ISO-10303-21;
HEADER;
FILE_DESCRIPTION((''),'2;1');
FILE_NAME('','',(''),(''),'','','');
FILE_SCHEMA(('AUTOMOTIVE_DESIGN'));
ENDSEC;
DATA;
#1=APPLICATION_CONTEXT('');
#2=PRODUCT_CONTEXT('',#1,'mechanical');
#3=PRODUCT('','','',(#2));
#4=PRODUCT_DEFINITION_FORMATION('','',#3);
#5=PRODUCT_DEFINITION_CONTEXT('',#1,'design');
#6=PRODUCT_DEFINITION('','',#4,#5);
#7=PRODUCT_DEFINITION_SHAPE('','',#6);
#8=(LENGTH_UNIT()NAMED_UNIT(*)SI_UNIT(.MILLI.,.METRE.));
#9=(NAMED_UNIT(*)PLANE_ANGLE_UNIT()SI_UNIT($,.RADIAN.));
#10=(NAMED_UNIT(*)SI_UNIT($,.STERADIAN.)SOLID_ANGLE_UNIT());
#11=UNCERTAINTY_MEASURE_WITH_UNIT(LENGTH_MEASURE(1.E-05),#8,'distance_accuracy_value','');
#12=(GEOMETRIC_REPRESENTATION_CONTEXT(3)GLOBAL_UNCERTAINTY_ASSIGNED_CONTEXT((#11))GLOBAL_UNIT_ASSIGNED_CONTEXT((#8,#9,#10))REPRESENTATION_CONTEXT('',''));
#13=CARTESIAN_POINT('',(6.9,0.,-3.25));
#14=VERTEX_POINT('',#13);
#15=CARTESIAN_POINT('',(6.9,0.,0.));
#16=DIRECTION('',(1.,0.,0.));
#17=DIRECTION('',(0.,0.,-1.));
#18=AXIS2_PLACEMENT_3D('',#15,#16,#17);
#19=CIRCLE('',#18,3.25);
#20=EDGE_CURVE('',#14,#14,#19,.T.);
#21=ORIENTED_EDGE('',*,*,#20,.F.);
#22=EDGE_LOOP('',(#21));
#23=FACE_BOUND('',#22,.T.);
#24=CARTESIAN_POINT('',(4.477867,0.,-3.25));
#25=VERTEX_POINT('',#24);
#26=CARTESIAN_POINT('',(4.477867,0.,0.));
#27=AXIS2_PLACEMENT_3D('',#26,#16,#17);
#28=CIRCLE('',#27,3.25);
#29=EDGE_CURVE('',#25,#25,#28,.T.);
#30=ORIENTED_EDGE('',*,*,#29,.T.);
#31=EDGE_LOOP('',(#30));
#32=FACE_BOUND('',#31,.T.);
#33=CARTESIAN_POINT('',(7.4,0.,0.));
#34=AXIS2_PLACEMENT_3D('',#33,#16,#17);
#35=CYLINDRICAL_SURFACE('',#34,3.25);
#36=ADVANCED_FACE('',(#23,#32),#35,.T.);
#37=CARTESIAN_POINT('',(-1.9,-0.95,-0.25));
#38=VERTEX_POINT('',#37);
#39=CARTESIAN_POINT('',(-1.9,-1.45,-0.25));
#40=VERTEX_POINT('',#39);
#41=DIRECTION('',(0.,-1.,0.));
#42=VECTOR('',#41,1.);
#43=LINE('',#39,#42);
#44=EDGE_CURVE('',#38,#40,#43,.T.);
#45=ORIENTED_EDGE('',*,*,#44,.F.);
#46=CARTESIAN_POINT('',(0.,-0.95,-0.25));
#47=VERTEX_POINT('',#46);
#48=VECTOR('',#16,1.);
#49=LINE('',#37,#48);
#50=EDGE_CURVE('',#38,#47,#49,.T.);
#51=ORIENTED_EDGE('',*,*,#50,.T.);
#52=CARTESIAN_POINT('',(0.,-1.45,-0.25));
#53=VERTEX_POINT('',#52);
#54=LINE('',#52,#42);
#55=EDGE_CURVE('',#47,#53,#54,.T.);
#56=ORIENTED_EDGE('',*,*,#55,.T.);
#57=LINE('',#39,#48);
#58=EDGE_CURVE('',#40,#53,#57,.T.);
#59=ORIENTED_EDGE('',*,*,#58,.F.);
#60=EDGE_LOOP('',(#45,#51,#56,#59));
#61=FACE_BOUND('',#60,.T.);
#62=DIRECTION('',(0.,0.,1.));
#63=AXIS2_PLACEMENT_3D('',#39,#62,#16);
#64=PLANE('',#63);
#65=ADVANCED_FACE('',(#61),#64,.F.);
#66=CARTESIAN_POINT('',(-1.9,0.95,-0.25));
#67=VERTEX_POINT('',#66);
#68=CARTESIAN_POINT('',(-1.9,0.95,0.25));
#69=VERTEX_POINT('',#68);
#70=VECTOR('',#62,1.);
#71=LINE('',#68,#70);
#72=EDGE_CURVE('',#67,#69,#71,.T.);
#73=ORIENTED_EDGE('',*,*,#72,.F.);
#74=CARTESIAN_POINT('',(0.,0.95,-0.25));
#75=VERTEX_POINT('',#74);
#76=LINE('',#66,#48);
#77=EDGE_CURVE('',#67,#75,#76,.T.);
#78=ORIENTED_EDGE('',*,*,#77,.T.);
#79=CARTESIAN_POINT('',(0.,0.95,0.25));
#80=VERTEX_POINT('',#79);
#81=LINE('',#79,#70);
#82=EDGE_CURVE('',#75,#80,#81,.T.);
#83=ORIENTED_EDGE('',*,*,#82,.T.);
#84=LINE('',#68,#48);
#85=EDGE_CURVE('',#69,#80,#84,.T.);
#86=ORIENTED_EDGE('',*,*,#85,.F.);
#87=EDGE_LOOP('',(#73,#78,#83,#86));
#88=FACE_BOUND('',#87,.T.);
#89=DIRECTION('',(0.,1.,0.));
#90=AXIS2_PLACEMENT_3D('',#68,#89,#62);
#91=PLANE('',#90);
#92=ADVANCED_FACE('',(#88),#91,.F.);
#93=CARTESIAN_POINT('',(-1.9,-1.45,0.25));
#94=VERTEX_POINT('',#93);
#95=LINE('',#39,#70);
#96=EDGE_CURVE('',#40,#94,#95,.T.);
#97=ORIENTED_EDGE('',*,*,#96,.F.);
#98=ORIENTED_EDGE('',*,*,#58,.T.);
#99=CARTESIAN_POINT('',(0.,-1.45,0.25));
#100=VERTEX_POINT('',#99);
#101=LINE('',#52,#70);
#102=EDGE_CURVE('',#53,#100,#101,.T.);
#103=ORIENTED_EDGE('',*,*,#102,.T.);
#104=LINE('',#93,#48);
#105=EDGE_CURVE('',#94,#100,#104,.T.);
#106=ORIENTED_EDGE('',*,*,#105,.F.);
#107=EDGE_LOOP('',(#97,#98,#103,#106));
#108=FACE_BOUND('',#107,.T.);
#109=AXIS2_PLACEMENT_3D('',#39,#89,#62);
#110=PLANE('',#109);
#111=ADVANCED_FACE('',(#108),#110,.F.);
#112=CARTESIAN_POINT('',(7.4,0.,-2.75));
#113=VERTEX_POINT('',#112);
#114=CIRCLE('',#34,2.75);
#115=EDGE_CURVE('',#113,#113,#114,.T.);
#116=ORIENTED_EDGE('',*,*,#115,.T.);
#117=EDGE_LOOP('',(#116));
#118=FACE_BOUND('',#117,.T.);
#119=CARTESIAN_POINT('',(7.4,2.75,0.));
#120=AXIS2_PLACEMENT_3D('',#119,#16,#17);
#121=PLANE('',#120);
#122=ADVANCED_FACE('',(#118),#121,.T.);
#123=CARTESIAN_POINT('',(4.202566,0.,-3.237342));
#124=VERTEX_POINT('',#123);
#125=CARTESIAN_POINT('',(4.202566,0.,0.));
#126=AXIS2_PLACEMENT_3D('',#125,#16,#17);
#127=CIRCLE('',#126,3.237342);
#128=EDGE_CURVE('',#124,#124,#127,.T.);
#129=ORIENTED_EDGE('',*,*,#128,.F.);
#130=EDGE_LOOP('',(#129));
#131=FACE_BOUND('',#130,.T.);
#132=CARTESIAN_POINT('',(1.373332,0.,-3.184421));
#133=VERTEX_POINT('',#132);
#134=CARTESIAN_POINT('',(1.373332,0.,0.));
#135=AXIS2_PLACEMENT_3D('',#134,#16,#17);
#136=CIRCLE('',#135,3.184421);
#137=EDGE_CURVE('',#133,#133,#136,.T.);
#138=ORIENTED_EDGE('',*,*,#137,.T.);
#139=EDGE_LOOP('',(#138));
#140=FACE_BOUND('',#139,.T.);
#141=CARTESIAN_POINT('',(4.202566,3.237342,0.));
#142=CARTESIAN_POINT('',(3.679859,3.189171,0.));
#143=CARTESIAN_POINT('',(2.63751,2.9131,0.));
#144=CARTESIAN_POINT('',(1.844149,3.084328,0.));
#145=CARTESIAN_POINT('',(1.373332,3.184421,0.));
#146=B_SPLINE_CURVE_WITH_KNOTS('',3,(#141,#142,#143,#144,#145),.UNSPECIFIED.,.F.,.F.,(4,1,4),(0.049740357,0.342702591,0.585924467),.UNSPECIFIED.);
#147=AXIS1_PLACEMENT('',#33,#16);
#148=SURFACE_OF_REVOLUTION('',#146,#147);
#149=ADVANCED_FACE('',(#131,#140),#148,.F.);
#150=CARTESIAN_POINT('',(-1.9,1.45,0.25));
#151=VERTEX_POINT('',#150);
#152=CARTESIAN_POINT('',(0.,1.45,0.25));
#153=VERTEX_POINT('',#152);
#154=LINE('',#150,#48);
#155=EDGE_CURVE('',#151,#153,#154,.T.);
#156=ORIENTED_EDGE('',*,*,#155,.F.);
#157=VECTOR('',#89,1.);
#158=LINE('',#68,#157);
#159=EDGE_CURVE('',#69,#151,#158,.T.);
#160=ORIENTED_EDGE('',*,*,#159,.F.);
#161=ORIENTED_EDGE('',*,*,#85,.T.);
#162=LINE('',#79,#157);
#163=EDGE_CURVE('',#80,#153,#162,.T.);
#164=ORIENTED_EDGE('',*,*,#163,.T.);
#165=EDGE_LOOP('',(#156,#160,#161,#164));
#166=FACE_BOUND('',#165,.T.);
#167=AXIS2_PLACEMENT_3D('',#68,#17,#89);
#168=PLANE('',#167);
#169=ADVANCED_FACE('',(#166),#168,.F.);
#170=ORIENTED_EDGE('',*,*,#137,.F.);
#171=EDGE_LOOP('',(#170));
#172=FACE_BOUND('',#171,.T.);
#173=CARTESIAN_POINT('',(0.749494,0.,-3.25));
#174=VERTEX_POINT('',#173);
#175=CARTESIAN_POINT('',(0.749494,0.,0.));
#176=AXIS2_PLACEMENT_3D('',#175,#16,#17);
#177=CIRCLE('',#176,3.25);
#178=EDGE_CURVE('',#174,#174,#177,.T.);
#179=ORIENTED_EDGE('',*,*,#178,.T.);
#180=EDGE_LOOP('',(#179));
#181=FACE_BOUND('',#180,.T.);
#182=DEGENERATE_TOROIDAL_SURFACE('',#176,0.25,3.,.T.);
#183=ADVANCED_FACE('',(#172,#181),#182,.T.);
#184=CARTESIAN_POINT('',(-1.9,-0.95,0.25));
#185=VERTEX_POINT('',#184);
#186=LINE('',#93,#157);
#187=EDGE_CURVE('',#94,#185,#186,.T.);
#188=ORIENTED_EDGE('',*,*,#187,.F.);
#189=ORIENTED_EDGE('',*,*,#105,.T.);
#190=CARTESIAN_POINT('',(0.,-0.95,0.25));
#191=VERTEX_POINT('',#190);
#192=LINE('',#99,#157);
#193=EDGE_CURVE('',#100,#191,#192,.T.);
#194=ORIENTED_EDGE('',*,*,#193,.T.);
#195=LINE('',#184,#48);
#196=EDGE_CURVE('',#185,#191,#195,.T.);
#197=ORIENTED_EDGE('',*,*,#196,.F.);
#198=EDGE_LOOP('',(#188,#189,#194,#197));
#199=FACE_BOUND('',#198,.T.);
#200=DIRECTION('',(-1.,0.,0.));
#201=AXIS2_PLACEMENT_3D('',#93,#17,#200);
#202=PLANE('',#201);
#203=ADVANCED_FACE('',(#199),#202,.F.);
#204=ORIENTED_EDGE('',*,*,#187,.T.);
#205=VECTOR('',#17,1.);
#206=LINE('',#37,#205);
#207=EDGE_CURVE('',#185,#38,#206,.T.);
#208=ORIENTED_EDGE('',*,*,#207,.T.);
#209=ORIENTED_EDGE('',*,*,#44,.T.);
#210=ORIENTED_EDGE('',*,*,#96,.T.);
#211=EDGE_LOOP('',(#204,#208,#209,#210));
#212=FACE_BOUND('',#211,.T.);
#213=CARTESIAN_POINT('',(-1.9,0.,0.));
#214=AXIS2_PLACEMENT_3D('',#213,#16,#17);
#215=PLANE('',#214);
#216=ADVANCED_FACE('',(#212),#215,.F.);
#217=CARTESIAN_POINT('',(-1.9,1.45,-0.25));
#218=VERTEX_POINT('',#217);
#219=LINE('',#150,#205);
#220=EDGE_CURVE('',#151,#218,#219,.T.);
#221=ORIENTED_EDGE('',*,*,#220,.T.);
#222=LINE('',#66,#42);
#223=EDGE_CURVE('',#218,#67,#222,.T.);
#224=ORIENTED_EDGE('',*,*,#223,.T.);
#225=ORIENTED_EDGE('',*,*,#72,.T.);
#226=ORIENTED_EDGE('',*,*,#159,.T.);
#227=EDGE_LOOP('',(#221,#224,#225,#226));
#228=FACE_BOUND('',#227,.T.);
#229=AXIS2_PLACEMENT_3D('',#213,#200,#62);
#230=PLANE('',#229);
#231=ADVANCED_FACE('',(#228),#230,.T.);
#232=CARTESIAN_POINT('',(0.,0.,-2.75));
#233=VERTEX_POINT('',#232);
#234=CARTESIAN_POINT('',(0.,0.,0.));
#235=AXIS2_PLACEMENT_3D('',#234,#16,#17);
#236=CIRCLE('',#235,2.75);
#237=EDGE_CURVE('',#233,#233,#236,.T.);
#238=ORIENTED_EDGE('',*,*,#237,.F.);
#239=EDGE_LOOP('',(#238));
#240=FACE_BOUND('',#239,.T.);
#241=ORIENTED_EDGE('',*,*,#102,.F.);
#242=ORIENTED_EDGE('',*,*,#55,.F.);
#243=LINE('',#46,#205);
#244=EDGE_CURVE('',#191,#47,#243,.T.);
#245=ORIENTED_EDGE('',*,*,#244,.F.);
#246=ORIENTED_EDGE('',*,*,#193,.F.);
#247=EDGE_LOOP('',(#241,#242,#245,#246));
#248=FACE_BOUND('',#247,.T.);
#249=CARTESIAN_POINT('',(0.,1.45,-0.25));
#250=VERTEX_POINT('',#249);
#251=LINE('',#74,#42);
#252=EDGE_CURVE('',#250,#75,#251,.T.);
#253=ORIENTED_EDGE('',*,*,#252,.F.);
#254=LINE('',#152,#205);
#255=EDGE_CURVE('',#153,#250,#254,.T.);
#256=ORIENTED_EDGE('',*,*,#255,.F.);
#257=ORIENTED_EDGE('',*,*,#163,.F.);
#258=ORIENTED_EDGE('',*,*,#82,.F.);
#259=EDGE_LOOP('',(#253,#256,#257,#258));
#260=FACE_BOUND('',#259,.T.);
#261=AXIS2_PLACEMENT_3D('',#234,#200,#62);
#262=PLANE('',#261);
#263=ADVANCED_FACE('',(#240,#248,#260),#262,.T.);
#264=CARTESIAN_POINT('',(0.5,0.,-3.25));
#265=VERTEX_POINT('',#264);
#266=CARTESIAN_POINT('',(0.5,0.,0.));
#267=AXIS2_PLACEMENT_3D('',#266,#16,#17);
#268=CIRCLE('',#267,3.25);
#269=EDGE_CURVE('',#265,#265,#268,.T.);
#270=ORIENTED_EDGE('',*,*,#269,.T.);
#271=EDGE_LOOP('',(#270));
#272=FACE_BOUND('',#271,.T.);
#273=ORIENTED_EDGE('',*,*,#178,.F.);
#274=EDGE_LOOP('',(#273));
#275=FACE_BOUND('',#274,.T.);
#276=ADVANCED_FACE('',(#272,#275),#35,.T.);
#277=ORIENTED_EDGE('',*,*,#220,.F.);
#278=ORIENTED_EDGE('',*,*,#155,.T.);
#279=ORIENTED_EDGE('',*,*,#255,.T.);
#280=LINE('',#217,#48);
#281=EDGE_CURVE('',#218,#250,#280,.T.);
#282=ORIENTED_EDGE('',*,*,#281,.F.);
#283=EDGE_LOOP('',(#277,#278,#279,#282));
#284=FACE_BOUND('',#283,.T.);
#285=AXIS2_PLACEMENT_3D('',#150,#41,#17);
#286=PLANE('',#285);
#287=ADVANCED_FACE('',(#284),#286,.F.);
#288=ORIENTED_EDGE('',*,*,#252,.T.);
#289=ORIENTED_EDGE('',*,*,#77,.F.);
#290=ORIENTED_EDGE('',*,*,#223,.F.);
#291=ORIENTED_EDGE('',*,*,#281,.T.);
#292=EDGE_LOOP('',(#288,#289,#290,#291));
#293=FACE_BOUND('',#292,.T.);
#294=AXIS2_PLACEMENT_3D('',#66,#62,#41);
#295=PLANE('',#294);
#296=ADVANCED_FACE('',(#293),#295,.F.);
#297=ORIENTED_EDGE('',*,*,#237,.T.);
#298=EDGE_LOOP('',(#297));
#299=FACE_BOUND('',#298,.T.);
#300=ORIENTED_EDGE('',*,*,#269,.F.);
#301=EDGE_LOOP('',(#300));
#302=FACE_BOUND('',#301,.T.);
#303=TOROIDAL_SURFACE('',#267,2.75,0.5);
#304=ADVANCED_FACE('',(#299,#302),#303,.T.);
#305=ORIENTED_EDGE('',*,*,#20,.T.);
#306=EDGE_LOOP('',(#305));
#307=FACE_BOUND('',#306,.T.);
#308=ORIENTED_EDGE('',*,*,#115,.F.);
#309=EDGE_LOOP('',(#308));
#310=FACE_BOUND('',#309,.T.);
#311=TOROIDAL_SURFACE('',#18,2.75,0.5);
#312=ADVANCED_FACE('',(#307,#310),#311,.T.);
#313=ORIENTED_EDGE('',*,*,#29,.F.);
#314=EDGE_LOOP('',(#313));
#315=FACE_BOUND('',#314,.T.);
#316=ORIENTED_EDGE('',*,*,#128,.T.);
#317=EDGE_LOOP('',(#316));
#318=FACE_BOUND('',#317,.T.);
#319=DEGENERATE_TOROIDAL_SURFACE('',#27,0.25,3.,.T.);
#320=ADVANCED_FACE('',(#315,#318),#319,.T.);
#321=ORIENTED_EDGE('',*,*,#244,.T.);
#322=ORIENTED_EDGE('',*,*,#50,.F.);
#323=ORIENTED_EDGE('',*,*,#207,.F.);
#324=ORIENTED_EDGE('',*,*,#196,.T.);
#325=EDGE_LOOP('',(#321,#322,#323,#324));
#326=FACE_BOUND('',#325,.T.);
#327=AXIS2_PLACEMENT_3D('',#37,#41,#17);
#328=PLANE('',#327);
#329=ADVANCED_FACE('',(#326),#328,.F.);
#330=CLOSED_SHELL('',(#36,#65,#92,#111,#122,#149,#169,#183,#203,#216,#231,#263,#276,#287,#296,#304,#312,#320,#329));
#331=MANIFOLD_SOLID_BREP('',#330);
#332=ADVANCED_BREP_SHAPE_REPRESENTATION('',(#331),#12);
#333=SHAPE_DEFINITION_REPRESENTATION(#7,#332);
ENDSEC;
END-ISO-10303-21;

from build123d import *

# Parameters (mm, degrees)
SKICA2_W                = 0.5
SKICA2_H                = 0.5
P_IDAT_VYSUNUT_M1_DEPTH = 1.9


with BuildPart() as part:
    # Skica1 → Rotovat1 (revolve)
    with BuildSketch(Plane.XY, mode=Mode.PRIVATE) as rotovat1_sk:
        with BuildLine():
            Line((0, 0), (0, 2.75))
            ThreePointArc((0, 2.75), (0.146446609, 3.103553391), (0.5, 3.25))
            Line((0.5, 3.25), (0.749493844, 3.25))
            ThreePointArc((0.749493844, 3.25), (1.063131818, 3.233560159), (1.373332352, 3.184420814))
            add(Edge.make_bspline(
                [(1.373332352, 3.184420814), (1.844148672, 3.08432837), (2.637509596, 2.913100219), (3.679859415, 3.18917118), (4.202566014, 3.237341565)],
                knots=[0.049740357, 0.049740357, 0.049740357, 0.049740357, 0.292962234, 0.585924467, 0.585924467, 0.585924467, 0.585924467], degree=3))
            ThreePointArc((4.202566014, 3.237341565), (4.340070837, 3.24683372), (4.477866527, 3.25))
            Line((4.477866527, 3.25), (6.9, 3.25))
            ThreePointArc((6.9, 3.25), (7.253553391, 3.103553391), (7.4, 2.75))
            Line((7.4, 2.75), (7.4, 0))
            Line((7.4, 0), (0, 0))
        make_face()
    revolve(rotovat1_sk.sketch.rotate(Axis((7.4, 0, 0), (-1, 0, 0)), 90), axis=Axis((7.4, 0, 0), (-1, 0, 0)))

    # Skica2 → Přidat vysunutím1 (add)
    with BuildSketch(Plane.ZY):
        with Locations((0, -1.2)):
            Rectangle(SKICA2_W, SKICA2_H)
        with Locations((0, 1.2)):
            Rectangle(SKICA2_W, SKICA2_H)
    extrude(amount=P_IDAT_VYSUNUT_M1_DEPTH)


solid = part.part
